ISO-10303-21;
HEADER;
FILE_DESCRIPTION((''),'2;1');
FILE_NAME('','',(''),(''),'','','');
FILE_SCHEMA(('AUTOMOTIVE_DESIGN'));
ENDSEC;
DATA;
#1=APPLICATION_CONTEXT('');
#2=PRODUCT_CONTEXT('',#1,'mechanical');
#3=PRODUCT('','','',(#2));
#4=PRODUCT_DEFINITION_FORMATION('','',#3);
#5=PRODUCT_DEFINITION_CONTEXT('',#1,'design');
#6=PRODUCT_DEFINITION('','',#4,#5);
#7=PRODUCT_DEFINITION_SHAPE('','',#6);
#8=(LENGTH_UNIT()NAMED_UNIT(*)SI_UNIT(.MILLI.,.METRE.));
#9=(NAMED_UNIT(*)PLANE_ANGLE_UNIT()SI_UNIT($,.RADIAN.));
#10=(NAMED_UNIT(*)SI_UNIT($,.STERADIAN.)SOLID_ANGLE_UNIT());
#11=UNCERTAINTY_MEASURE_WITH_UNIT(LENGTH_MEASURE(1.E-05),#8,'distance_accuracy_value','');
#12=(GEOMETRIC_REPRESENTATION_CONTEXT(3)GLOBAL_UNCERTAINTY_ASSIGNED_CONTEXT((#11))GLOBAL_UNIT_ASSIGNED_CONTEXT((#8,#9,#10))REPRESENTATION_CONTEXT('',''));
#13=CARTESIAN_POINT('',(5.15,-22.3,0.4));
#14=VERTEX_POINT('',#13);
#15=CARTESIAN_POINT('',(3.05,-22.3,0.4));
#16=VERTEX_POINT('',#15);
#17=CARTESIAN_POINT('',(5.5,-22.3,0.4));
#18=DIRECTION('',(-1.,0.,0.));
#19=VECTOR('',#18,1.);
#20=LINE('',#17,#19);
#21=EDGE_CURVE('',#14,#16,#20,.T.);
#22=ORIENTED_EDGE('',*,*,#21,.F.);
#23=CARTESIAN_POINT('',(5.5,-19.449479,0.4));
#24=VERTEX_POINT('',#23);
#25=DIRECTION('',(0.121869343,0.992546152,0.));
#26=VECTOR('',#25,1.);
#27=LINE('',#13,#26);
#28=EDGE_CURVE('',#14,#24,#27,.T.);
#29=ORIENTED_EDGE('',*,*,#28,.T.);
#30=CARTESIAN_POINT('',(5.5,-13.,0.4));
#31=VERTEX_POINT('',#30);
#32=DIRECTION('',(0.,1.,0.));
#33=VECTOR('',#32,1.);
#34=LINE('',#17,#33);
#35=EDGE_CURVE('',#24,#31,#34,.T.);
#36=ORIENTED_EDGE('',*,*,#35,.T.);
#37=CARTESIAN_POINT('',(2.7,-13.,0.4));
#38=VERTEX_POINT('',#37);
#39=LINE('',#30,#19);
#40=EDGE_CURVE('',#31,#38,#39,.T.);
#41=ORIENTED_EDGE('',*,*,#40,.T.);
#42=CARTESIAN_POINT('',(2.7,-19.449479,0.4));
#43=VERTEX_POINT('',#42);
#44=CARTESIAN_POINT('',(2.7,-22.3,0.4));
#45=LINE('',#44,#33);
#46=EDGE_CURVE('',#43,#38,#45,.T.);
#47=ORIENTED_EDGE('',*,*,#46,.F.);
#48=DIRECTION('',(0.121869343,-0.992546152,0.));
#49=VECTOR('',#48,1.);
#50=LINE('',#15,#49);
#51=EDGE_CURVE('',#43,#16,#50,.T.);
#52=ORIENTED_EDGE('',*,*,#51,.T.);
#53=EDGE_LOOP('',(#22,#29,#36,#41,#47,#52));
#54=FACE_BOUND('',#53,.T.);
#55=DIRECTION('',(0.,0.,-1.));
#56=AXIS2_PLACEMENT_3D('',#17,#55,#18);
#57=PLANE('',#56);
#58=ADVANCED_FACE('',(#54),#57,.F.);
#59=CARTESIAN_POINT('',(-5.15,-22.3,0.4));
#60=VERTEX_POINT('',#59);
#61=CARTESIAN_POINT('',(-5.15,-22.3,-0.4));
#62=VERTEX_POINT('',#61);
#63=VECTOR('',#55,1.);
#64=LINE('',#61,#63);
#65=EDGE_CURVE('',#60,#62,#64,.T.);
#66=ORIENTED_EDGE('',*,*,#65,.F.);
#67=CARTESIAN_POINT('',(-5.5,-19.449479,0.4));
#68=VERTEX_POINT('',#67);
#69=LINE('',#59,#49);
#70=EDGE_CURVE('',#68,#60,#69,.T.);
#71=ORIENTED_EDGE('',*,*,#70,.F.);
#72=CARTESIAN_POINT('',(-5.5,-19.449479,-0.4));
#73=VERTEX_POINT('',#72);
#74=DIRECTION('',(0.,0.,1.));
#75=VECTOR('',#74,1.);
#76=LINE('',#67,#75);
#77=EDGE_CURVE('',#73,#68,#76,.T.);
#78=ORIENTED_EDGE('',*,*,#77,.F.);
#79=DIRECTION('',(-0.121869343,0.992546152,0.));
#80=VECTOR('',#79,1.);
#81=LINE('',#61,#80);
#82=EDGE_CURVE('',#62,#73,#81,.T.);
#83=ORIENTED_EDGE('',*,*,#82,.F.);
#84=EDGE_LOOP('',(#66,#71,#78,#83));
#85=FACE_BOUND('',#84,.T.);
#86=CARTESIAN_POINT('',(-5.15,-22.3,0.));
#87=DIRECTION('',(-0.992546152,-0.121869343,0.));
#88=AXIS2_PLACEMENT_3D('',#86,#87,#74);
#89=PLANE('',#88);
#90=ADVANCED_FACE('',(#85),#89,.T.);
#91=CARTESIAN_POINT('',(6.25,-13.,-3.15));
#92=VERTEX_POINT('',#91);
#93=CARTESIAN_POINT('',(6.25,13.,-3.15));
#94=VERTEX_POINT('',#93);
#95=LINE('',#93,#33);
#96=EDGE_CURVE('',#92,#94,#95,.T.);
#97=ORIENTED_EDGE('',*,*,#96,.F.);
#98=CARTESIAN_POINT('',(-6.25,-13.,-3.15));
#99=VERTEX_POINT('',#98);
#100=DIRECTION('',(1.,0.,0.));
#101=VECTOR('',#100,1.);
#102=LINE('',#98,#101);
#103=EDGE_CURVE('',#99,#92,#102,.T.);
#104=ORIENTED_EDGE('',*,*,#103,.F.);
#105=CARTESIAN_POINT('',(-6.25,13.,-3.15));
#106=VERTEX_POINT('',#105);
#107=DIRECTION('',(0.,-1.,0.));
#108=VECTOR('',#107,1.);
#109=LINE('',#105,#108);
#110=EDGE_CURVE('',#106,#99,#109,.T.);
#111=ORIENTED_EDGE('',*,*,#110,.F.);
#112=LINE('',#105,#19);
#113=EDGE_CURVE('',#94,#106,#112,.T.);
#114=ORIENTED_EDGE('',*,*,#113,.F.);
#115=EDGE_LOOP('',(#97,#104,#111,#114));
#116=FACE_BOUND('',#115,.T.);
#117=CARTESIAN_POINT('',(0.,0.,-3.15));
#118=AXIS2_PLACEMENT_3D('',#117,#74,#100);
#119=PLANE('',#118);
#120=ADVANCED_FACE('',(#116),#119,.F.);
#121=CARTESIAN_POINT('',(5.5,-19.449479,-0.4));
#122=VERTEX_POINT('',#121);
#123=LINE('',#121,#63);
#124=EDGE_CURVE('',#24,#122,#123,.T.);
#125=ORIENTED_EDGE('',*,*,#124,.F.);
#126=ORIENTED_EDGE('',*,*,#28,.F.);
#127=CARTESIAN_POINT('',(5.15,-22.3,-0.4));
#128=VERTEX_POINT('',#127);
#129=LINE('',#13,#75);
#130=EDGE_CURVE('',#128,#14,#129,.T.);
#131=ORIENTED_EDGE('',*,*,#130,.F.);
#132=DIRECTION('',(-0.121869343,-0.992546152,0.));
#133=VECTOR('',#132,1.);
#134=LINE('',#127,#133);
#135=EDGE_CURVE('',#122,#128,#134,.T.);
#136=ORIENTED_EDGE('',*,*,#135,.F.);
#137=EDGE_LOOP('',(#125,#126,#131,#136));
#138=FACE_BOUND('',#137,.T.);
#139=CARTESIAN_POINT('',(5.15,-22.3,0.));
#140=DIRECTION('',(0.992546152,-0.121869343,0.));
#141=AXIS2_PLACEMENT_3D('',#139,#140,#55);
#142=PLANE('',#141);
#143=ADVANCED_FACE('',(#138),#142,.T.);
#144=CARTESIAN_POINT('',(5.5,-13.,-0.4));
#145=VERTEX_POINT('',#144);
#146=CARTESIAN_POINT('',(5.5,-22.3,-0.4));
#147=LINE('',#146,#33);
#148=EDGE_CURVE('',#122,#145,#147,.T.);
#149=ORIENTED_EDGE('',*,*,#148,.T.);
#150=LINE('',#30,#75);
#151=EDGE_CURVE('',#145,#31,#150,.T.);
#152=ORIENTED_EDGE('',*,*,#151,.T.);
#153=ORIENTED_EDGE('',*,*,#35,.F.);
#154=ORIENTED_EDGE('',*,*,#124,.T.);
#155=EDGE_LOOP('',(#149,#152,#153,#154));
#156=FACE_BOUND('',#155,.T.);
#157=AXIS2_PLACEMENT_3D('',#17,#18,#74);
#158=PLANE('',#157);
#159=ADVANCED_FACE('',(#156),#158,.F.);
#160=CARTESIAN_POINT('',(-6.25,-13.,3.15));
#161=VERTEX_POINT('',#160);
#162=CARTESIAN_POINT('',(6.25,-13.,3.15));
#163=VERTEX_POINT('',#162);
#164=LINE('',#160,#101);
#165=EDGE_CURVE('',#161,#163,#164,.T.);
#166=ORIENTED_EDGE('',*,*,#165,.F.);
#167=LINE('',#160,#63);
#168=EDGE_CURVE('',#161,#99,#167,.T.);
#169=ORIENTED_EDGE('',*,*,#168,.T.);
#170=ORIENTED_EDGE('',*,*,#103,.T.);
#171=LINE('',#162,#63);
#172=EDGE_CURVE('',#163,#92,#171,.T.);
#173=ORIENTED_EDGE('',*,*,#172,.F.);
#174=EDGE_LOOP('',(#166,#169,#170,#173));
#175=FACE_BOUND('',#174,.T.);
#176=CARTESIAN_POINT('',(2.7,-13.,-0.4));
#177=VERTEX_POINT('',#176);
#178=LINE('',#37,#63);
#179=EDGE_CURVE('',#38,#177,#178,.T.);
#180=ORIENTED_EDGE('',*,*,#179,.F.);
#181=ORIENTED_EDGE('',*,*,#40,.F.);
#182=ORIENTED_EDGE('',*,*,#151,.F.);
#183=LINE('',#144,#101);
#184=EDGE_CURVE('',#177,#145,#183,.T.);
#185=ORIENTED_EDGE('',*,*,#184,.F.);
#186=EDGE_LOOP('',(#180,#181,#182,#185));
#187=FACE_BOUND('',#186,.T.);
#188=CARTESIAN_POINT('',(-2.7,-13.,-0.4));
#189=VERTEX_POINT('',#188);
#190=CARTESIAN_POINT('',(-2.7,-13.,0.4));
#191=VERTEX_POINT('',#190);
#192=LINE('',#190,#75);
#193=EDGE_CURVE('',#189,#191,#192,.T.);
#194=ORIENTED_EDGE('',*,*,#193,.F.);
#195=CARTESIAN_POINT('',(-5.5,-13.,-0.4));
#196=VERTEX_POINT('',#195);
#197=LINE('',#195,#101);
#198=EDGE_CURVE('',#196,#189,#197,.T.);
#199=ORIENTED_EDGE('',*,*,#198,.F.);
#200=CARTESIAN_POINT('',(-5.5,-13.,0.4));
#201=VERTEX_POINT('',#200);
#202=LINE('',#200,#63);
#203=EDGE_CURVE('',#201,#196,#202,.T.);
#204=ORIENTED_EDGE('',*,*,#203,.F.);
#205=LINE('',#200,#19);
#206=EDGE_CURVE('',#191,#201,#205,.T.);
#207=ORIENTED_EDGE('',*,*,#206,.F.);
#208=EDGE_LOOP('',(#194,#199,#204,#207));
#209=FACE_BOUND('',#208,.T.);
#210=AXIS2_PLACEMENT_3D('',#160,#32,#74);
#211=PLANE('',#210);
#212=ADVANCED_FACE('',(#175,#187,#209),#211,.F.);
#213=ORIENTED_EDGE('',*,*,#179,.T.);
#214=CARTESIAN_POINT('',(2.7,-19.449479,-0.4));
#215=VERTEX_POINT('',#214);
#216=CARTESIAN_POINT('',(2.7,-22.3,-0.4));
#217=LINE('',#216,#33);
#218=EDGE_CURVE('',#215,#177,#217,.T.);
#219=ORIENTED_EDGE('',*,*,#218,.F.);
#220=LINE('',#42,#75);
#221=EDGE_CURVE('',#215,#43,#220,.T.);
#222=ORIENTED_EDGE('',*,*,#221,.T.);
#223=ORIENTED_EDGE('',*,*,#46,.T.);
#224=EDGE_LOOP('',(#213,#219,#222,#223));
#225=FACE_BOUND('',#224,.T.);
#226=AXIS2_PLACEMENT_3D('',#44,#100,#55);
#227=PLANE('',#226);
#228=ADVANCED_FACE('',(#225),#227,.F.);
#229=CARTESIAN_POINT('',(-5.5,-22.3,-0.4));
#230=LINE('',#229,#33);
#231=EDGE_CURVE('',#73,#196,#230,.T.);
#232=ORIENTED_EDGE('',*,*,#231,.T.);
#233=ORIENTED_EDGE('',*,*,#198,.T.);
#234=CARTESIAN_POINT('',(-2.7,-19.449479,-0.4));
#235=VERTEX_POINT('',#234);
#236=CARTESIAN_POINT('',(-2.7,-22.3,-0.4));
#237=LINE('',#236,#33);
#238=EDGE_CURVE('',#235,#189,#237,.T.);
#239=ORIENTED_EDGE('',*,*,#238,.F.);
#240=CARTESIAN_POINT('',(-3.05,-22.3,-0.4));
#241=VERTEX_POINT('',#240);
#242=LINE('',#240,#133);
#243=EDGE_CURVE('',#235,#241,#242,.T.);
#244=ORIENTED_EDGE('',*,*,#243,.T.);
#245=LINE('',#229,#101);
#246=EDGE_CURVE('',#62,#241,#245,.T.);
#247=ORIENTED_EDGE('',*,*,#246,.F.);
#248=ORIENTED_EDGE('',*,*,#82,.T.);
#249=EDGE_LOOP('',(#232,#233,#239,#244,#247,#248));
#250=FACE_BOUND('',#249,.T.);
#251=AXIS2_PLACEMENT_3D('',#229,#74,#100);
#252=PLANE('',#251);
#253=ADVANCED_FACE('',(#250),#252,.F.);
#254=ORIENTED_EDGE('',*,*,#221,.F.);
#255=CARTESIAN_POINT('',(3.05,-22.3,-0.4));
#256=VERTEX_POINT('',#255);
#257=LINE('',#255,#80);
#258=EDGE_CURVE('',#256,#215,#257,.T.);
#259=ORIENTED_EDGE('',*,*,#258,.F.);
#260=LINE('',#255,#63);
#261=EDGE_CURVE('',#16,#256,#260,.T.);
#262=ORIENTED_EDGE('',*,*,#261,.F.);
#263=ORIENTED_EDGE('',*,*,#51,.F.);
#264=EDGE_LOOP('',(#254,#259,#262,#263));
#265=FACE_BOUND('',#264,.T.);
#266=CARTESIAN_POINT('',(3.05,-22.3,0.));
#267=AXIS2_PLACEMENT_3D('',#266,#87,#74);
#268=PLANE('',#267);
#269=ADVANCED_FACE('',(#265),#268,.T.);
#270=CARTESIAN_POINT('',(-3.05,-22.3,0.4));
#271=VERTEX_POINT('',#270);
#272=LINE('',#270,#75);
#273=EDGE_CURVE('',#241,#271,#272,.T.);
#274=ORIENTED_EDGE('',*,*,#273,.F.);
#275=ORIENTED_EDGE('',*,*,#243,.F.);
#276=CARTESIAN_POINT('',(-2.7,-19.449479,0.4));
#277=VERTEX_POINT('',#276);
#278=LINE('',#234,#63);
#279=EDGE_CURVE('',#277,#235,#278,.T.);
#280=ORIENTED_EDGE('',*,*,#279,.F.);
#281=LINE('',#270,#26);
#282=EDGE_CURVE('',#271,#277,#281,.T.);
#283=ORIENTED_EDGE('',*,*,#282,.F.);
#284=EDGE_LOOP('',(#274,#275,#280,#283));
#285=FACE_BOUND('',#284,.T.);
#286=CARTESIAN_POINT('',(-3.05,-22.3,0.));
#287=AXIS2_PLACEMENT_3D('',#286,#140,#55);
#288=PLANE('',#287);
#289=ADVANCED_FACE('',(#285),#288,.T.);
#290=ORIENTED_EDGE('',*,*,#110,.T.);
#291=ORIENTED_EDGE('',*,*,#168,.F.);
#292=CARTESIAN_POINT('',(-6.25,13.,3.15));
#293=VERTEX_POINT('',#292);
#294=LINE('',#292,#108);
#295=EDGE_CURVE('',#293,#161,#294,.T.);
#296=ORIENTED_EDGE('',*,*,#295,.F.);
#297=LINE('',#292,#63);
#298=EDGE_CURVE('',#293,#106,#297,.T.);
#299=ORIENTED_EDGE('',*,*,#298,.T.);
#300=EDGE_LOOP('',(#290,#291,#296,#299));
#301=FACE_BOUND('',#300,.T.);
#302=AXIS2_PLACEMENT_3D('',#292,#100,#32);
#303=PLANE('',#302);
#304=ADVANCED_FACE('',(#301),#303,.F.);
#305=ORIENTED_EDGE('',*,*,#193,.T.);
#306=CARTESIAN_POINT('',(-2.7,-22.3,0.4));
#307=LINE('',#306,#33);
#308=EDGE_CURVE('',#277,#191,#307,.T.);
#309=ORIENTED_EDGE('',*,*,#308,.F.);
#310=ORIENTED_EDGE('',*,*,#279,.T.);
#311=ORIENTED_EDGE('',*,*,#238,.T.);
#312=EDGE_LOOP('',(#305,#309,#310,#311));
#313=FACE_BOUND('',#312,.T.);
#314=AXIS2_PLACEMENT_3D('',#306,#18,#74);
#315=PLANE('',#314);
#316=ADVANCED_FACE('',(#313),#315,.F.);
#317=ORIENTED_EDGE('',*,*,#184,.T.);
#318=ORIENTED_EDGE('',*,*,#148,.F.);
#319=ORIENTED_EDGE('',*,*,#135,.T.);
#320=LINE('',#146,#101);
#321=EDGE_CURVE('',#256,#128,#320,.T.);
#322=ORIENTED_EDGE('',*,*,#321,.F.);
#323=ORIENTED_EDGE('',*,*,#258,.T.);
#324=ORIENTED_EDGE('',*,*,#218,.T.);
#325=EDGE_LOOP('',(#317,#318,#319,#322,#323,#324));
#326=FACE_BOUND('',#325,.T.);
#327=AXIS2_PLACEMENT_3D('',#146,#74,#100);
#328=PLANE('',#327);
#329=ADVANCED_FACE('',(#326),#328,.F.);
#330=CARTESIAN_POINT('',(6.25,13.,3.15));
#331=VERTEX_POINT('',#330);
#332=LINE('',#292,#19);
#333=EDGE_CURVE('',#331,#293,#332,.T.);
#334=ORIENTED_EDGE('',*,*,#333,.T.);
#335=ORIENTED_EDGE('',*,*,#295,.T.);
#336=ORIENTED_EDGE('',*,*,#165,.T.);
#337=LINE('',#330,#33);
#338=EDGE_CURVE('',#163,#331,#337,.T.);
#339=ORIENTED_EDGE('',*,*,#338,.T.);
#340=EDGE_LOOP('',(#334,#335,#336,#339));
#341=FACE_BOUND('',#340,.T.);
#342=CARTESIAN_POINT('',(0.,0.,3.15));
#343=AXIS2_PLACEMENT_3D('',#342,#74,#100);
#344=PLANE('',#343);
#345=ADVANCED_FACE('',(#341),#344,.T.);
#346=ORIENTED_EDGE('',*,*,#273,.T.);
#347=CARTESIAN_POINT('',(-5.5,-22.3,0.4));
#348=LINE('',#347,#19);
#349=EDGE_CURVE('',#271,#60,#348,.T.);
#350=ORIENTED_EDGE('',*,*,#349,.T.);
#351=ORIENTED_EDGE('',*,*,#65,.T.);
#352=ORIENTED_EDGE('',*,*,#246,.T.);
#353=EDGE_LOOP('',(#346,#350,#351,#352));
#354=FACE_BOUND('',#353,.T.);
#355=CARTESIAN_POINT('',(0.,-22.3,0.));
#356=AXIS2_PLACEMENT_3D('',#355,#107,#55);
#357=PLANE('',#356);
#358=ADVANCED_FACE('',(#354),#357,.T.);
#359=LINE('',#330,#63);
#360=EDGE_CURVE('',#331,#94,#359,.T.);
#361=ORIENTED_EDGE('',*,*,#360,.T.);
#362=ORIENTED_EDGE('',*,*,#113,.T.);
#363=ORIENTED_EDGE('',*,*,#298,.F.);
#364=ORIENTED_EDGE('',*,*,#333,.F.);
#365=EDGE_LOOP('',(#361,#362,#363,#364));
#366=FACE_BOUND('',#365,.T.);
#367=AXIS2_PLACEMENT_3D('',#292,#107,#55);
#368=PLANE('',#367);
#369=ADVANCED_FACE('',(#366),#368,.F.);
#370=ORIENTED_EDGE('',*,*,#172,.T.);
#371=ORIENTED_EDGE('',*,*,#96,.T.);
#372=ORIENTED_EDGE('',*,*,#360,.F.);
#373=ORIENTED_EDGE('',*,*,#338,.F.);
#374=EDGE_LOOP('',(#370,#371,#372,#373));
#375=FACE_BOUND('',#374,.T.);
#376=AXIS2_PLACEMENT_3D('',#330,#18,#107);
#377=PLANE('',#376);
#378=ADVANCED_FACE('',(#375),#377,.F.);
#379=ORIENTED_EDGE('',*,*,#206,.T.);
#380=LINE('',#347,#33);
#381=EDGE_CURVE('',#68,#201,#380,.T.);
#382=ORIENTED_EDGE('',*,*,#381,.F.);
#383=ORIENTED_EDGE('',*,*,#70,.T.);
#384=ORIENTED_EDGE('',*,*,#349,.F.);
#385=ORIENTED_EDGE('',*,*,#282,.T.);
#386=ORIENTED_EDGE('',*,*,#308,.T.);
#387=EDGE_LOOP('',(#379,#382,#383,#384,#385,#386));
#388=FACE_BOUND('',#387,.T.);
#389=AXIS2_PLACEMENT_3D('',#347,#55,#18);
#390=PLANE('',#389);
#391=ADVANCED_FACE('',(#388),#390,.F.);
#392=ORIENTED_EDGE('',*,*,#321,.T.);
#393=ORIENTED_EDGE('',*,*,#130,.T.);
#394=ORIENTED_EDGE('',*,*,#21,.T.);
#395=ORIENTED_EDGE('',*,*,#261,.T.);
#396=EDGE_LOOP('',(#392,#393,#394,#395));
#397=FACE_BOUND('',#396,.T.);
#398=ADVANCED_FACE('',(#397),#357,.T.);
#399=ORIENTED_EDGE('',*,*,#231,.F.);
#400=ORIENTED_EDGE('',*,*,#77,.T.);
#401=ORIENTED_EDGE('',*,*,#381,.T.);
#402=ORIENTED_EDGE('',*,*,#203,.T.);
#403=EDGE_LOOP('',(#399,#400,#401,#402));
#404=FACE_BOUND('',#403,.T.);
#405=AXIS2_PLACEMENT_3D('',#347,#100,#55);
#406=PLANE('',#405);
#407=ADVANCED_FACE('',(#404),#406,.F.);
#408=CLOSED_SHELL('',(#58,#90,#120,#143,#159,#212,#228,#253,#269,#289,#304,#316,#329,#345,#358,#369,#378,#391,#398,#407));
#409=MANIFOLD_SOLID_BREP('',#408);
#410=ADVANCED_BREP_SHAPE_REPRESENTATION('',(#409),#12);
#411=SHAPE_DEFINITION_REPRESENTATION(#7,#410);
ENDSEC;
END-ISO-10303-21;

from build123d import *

# Parameters (mm, degrees)
SKETCH1_W             = 12.5
SKETCH1_H             = 26
BOSS_EXTRUDE1_DEPTH   = 3.15
SKETCH2_W             = 2.8
SKETCH2_H             = 0.8
BOSS_EXTRUDE2_DEPTH   = 9.3
CHAMFER1_SIZE         = 0.35
CHAMFER1_SIZE2        = 2.85052125
CHAMFER1_PART_2_SIZE  = 0.35
CHAMFER1_PART_2_SIZE2 = 2.85052125


with BuildPart() as part:
    # Sketch1 → Boss-Extrude1 (new body, symmetric)
    with BuildSketch(Plane.XY):
        Rectangle(SKETCH1_W, SKETCH1_H)
    extrude(amount=BOSS_EXTRUDE1_DEPTH, both=True)

    # Sketch2 → Boss-Extrude2 (add)
    with BuildSketch(Plane.XZ.offset(13)):
        with Locations((4.1, 0)):
            Rectangle(SKETCH2_W, SKETCH2_H)
        with Locations((-4.1, 0)):
            Rectangle(SKETCH2_W, SKETCH2_H)
    extrude(amount=BOSS_EXTRUDE2_DEPTH)

    # Chamfer1
    chamfer1_edges = [part.edges().sort_by_distance(p)[0] for p in [
        (-5.5, -22.3, 0),
        (-2.7, -22.3, 0),
    ]]
    chamfer1_side = [part.faces().sort_by_distance(p)[0] for p in [
        (-4.1, -22.3, 0),
    ]]
    chamfer(chamfer1_edges, length=CHAMFER1_SIZE, length2=CHAMFER1_SIZE2, reference=chamfer1_side[0])

    # Chamfer1 part 2
    chamfer1_part_2_edges = [part.edges().sort_by_distance(p)[0] for p in [
        (2.7, -22.3, 0),
        (5.5, -22.3, 0),
    ]]
    chamfer1_part_2_side = [part.faces().sort_by_distance(p)[0] for p in [
        (4.1, -22.3, 0),
    ]]
    chamfer(chamfer1_part_2_edges, length=CHAMFER1_PART_2_SIZE, length2=CHAMFER1_PART_2_SIZE2, reference=chamfer1_part_2_side[0])


solid = part.part
